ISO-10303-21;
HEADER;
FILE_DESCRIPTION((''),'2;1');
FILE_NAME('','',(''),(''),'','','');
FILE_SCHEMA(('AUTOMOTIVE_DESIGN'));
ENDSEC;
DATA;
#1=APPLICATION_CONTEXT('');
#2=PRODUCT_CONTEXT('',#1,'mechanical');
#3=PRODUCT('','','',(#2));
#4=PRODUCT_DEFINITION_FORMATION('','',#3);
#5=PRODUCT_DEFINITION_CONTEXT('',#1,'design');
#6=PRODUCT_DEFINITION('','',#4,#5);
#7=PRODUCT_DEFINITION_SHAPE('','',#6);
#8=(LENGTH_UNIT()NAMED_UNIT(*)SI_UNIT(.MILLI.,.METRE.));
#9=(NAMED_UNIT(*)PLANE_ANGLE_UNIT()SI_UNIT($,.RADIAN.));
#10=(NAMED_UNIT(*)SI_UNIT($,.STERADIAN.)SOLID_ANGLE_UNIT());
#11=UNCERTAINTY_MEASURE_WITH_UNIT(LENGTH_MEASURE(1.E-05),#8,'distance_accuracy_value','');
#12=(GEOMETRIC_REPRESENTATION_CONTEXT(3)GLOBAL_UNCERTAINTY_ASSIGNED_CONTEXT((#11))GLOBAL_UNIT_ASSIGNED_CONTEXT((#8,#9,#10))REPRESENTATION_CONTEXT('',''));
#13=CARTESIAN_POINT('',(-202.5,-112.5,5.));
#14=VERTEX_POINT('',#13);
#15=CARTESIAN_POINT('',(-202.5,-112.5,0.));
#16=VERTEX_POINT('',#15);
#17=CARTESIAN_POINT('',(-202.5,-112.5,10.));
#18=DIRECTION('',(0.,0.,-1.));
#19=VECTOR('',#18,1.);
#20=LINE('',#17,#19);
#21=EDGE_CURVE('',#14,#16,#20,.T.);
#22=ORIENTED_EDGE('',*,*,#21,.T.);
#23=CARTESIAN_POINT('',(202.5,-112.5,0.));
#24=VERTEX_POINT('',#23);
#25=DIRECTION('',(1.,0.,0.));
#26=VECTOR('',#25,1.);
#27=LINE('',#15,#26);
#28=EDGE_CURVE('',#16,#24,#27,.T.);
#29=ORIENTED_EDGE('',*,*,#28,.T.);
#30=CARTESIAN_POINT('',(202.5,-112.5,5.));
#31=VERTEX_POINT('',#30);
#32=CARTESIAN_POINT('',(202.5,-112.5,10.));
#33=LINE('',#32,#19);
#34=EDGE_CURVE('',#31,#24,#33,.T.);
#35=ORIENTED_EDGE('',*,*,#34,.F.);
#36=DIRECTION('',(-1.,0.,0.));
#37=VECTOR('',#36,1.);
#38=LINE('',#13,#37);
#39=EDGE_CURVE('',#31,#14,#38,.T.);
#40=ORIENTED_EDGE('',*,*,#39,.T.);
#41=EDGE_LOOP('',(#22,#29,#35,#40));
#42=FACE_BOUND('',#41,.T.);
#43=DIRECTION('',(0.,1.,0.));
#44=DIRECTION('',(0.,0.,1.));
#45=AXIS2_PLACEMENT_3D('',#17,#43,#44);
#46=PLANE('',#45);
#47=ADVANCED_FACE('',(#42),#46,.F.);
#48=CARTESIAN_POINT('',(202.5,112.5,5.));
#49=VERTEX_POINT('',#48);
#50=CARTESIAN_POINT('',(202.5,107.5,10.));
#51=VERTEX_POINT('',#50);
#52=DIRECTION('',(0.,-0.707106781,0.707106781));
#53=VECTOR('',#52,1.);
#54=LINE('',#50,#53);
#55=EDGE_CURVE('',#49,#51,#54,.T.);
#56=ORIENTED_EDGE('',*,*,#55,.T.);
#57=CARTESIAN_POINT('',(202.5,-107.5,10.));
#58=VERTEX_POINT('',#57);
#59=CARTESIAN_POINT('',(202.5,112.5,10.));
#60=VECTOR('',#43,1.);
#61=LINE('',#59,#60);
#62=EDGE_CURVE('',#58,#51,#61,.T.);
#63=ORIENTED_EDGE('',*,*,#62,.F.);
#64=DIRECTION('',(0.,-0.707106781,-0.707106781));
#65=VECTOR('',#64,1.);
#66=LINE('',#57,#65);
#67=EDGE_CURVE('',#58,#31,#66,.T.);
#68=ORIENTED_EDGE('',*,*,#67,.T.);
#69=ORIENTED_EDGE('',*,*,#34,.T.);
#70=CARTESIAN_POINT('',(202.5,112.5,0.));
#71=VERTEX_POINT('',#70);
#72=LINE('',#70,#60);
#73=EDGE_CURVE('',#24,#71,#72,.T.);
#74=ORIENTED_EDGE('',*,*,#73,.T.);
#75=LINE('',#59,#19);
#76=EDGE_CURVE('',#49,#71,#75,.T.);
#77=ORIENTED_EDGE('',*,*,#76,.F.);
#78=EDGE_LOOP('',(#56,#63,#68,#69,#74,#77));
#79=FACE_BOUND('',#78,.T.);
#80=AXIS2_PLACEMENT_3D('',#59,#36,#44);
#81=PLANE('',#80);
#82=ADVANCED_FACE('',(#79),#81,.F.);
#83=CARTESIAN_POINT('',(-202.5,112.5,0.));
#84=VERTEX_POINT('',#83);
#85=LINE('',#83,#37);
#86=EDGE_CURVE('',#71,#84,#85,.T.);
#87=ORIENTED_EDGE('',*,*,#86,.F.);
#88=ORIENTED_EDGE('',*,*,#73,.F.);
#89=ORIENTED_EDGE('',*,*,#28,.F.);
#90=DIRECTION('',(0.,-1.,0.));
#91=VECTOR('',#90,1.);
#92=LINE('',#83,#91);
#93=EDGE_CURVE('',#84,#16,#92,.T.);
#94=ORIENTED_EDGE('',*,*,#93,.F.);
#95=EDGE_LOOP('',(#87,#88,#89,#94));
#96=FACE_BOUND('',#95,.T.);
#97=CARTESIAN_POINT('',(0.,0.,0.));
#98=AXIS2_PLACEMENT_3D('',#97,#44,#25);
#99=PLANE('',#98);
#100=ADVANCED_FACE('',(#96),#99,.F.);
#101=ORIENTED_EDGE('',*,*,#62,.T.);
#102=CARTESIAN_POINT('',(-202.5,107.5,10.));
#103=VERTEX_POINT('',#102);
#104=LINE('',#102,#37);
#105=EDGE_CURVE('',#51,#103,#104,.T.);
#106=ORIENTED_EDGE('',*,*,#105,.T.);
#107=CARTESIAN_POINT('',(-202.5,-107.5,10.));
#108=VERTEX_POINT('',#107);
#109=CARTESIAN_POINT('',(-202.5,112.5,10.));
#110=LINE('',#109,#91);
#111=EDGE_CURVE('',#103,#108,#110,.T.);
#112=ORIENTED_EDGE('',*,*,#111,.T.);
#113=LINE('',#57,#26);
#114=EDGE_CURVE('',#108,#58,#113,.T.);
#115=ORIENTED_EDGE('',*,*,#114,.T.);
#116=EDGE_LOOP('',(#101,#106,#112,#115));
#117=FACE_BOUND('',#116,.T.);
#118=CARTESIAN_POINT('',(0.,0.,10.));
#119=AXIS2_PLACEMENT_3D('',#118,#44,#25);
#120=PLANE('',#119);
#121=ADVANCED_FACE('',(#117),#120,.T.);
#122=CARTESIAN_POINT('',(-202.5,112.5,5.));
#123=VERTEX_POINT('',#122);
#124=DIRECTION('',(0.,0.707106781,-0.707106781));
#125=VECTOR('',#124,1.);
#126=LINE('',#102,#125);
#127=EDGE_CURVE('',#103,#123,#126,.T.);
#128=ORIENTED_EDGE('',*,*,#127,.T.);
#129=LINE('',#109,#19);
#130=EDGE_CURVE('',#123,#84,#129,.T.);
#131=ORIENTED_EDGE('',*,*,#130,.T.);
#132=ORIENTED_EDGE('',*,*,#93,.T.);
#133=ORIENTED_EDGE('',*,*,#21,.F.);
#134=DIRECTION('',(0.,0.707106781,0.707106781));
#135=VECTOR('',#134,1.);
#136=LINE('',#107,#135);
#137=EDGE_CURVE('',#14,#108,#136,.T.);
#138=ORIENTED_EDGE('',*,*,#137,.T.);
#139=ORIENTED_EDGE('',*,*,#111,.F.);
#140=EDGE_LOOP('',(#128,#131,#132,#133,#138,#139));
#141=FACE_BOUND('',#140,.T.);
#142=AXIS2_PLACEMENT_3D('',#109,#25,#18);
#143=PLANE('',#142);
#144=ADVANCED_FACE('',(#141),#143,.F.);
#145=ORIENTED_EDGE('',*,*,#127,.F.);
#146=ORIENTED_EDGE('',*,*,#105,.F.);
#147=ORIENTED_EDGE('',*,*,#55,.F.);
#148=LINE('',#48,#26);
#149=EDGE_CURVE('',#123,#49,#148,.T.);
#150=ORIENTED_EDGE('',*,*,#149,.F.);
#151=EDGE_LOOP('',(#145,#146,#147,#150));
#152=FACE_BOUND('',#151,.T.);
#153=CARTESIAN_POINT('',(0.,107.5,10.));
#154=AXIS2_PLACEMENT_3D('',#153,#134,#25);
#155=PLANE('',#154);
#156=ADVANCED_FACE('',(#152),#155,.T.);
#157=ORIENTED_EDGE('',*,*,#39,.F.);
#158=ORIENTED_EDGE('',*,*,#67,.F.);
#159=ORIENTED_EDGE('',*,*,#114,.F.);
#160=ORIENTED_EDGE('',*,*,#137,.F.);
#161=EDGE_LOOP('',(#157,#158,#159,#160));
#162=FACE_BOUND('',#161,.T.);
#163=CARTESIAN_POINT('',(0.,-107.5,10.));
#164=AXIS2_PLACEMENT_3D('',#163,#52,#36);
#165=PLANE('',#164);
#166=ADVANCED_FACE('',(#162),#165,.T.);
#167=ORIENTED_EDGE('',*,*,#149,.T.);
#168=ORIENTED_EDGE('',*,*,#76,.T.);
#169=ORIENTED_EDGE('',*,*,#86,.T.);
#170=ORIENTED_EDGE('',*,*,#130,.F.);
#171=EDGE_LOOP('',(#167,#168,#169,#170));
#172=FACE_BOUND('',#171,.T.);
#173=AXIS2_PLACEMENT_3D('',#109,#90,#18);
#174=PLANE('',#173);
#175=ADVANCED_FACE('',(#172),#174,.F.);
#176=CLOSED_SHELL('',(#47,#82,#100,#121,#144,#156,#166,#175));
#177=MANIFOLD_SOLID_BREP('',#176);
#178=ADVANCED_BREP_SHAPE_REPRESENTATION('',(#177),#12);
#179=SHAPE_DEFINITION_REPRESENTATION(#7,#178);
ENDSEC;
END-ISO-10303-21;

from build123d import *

# Parameters (mm, degrees)
SKETCH_1_W      = 405
SKETCH_1_H      = 225
EXTRUDE_1_DEPTH = 10
CHAMFER_1_SIZE  = 5


with BuildPart() as part:
    # 草图1 → 凸台-拉伸1 (new body)
    with BuildSketch(Plane.XY):
        Rectangle(SKETCH_1_W, SKETCH_1_H)
    extrude(amount=EXTRUDE_1_DEPTH)

    # 倒角1
    chamfer_1_edges = [part.edges().sort_by_distance(p)[0] for p in [
        (0, -112.5, 10),
        (0, 112.5, 10),
    ]]
    chamfer(chamfer_1_edges, length=CHAMFER_1_SIZE)


solid = part.part
